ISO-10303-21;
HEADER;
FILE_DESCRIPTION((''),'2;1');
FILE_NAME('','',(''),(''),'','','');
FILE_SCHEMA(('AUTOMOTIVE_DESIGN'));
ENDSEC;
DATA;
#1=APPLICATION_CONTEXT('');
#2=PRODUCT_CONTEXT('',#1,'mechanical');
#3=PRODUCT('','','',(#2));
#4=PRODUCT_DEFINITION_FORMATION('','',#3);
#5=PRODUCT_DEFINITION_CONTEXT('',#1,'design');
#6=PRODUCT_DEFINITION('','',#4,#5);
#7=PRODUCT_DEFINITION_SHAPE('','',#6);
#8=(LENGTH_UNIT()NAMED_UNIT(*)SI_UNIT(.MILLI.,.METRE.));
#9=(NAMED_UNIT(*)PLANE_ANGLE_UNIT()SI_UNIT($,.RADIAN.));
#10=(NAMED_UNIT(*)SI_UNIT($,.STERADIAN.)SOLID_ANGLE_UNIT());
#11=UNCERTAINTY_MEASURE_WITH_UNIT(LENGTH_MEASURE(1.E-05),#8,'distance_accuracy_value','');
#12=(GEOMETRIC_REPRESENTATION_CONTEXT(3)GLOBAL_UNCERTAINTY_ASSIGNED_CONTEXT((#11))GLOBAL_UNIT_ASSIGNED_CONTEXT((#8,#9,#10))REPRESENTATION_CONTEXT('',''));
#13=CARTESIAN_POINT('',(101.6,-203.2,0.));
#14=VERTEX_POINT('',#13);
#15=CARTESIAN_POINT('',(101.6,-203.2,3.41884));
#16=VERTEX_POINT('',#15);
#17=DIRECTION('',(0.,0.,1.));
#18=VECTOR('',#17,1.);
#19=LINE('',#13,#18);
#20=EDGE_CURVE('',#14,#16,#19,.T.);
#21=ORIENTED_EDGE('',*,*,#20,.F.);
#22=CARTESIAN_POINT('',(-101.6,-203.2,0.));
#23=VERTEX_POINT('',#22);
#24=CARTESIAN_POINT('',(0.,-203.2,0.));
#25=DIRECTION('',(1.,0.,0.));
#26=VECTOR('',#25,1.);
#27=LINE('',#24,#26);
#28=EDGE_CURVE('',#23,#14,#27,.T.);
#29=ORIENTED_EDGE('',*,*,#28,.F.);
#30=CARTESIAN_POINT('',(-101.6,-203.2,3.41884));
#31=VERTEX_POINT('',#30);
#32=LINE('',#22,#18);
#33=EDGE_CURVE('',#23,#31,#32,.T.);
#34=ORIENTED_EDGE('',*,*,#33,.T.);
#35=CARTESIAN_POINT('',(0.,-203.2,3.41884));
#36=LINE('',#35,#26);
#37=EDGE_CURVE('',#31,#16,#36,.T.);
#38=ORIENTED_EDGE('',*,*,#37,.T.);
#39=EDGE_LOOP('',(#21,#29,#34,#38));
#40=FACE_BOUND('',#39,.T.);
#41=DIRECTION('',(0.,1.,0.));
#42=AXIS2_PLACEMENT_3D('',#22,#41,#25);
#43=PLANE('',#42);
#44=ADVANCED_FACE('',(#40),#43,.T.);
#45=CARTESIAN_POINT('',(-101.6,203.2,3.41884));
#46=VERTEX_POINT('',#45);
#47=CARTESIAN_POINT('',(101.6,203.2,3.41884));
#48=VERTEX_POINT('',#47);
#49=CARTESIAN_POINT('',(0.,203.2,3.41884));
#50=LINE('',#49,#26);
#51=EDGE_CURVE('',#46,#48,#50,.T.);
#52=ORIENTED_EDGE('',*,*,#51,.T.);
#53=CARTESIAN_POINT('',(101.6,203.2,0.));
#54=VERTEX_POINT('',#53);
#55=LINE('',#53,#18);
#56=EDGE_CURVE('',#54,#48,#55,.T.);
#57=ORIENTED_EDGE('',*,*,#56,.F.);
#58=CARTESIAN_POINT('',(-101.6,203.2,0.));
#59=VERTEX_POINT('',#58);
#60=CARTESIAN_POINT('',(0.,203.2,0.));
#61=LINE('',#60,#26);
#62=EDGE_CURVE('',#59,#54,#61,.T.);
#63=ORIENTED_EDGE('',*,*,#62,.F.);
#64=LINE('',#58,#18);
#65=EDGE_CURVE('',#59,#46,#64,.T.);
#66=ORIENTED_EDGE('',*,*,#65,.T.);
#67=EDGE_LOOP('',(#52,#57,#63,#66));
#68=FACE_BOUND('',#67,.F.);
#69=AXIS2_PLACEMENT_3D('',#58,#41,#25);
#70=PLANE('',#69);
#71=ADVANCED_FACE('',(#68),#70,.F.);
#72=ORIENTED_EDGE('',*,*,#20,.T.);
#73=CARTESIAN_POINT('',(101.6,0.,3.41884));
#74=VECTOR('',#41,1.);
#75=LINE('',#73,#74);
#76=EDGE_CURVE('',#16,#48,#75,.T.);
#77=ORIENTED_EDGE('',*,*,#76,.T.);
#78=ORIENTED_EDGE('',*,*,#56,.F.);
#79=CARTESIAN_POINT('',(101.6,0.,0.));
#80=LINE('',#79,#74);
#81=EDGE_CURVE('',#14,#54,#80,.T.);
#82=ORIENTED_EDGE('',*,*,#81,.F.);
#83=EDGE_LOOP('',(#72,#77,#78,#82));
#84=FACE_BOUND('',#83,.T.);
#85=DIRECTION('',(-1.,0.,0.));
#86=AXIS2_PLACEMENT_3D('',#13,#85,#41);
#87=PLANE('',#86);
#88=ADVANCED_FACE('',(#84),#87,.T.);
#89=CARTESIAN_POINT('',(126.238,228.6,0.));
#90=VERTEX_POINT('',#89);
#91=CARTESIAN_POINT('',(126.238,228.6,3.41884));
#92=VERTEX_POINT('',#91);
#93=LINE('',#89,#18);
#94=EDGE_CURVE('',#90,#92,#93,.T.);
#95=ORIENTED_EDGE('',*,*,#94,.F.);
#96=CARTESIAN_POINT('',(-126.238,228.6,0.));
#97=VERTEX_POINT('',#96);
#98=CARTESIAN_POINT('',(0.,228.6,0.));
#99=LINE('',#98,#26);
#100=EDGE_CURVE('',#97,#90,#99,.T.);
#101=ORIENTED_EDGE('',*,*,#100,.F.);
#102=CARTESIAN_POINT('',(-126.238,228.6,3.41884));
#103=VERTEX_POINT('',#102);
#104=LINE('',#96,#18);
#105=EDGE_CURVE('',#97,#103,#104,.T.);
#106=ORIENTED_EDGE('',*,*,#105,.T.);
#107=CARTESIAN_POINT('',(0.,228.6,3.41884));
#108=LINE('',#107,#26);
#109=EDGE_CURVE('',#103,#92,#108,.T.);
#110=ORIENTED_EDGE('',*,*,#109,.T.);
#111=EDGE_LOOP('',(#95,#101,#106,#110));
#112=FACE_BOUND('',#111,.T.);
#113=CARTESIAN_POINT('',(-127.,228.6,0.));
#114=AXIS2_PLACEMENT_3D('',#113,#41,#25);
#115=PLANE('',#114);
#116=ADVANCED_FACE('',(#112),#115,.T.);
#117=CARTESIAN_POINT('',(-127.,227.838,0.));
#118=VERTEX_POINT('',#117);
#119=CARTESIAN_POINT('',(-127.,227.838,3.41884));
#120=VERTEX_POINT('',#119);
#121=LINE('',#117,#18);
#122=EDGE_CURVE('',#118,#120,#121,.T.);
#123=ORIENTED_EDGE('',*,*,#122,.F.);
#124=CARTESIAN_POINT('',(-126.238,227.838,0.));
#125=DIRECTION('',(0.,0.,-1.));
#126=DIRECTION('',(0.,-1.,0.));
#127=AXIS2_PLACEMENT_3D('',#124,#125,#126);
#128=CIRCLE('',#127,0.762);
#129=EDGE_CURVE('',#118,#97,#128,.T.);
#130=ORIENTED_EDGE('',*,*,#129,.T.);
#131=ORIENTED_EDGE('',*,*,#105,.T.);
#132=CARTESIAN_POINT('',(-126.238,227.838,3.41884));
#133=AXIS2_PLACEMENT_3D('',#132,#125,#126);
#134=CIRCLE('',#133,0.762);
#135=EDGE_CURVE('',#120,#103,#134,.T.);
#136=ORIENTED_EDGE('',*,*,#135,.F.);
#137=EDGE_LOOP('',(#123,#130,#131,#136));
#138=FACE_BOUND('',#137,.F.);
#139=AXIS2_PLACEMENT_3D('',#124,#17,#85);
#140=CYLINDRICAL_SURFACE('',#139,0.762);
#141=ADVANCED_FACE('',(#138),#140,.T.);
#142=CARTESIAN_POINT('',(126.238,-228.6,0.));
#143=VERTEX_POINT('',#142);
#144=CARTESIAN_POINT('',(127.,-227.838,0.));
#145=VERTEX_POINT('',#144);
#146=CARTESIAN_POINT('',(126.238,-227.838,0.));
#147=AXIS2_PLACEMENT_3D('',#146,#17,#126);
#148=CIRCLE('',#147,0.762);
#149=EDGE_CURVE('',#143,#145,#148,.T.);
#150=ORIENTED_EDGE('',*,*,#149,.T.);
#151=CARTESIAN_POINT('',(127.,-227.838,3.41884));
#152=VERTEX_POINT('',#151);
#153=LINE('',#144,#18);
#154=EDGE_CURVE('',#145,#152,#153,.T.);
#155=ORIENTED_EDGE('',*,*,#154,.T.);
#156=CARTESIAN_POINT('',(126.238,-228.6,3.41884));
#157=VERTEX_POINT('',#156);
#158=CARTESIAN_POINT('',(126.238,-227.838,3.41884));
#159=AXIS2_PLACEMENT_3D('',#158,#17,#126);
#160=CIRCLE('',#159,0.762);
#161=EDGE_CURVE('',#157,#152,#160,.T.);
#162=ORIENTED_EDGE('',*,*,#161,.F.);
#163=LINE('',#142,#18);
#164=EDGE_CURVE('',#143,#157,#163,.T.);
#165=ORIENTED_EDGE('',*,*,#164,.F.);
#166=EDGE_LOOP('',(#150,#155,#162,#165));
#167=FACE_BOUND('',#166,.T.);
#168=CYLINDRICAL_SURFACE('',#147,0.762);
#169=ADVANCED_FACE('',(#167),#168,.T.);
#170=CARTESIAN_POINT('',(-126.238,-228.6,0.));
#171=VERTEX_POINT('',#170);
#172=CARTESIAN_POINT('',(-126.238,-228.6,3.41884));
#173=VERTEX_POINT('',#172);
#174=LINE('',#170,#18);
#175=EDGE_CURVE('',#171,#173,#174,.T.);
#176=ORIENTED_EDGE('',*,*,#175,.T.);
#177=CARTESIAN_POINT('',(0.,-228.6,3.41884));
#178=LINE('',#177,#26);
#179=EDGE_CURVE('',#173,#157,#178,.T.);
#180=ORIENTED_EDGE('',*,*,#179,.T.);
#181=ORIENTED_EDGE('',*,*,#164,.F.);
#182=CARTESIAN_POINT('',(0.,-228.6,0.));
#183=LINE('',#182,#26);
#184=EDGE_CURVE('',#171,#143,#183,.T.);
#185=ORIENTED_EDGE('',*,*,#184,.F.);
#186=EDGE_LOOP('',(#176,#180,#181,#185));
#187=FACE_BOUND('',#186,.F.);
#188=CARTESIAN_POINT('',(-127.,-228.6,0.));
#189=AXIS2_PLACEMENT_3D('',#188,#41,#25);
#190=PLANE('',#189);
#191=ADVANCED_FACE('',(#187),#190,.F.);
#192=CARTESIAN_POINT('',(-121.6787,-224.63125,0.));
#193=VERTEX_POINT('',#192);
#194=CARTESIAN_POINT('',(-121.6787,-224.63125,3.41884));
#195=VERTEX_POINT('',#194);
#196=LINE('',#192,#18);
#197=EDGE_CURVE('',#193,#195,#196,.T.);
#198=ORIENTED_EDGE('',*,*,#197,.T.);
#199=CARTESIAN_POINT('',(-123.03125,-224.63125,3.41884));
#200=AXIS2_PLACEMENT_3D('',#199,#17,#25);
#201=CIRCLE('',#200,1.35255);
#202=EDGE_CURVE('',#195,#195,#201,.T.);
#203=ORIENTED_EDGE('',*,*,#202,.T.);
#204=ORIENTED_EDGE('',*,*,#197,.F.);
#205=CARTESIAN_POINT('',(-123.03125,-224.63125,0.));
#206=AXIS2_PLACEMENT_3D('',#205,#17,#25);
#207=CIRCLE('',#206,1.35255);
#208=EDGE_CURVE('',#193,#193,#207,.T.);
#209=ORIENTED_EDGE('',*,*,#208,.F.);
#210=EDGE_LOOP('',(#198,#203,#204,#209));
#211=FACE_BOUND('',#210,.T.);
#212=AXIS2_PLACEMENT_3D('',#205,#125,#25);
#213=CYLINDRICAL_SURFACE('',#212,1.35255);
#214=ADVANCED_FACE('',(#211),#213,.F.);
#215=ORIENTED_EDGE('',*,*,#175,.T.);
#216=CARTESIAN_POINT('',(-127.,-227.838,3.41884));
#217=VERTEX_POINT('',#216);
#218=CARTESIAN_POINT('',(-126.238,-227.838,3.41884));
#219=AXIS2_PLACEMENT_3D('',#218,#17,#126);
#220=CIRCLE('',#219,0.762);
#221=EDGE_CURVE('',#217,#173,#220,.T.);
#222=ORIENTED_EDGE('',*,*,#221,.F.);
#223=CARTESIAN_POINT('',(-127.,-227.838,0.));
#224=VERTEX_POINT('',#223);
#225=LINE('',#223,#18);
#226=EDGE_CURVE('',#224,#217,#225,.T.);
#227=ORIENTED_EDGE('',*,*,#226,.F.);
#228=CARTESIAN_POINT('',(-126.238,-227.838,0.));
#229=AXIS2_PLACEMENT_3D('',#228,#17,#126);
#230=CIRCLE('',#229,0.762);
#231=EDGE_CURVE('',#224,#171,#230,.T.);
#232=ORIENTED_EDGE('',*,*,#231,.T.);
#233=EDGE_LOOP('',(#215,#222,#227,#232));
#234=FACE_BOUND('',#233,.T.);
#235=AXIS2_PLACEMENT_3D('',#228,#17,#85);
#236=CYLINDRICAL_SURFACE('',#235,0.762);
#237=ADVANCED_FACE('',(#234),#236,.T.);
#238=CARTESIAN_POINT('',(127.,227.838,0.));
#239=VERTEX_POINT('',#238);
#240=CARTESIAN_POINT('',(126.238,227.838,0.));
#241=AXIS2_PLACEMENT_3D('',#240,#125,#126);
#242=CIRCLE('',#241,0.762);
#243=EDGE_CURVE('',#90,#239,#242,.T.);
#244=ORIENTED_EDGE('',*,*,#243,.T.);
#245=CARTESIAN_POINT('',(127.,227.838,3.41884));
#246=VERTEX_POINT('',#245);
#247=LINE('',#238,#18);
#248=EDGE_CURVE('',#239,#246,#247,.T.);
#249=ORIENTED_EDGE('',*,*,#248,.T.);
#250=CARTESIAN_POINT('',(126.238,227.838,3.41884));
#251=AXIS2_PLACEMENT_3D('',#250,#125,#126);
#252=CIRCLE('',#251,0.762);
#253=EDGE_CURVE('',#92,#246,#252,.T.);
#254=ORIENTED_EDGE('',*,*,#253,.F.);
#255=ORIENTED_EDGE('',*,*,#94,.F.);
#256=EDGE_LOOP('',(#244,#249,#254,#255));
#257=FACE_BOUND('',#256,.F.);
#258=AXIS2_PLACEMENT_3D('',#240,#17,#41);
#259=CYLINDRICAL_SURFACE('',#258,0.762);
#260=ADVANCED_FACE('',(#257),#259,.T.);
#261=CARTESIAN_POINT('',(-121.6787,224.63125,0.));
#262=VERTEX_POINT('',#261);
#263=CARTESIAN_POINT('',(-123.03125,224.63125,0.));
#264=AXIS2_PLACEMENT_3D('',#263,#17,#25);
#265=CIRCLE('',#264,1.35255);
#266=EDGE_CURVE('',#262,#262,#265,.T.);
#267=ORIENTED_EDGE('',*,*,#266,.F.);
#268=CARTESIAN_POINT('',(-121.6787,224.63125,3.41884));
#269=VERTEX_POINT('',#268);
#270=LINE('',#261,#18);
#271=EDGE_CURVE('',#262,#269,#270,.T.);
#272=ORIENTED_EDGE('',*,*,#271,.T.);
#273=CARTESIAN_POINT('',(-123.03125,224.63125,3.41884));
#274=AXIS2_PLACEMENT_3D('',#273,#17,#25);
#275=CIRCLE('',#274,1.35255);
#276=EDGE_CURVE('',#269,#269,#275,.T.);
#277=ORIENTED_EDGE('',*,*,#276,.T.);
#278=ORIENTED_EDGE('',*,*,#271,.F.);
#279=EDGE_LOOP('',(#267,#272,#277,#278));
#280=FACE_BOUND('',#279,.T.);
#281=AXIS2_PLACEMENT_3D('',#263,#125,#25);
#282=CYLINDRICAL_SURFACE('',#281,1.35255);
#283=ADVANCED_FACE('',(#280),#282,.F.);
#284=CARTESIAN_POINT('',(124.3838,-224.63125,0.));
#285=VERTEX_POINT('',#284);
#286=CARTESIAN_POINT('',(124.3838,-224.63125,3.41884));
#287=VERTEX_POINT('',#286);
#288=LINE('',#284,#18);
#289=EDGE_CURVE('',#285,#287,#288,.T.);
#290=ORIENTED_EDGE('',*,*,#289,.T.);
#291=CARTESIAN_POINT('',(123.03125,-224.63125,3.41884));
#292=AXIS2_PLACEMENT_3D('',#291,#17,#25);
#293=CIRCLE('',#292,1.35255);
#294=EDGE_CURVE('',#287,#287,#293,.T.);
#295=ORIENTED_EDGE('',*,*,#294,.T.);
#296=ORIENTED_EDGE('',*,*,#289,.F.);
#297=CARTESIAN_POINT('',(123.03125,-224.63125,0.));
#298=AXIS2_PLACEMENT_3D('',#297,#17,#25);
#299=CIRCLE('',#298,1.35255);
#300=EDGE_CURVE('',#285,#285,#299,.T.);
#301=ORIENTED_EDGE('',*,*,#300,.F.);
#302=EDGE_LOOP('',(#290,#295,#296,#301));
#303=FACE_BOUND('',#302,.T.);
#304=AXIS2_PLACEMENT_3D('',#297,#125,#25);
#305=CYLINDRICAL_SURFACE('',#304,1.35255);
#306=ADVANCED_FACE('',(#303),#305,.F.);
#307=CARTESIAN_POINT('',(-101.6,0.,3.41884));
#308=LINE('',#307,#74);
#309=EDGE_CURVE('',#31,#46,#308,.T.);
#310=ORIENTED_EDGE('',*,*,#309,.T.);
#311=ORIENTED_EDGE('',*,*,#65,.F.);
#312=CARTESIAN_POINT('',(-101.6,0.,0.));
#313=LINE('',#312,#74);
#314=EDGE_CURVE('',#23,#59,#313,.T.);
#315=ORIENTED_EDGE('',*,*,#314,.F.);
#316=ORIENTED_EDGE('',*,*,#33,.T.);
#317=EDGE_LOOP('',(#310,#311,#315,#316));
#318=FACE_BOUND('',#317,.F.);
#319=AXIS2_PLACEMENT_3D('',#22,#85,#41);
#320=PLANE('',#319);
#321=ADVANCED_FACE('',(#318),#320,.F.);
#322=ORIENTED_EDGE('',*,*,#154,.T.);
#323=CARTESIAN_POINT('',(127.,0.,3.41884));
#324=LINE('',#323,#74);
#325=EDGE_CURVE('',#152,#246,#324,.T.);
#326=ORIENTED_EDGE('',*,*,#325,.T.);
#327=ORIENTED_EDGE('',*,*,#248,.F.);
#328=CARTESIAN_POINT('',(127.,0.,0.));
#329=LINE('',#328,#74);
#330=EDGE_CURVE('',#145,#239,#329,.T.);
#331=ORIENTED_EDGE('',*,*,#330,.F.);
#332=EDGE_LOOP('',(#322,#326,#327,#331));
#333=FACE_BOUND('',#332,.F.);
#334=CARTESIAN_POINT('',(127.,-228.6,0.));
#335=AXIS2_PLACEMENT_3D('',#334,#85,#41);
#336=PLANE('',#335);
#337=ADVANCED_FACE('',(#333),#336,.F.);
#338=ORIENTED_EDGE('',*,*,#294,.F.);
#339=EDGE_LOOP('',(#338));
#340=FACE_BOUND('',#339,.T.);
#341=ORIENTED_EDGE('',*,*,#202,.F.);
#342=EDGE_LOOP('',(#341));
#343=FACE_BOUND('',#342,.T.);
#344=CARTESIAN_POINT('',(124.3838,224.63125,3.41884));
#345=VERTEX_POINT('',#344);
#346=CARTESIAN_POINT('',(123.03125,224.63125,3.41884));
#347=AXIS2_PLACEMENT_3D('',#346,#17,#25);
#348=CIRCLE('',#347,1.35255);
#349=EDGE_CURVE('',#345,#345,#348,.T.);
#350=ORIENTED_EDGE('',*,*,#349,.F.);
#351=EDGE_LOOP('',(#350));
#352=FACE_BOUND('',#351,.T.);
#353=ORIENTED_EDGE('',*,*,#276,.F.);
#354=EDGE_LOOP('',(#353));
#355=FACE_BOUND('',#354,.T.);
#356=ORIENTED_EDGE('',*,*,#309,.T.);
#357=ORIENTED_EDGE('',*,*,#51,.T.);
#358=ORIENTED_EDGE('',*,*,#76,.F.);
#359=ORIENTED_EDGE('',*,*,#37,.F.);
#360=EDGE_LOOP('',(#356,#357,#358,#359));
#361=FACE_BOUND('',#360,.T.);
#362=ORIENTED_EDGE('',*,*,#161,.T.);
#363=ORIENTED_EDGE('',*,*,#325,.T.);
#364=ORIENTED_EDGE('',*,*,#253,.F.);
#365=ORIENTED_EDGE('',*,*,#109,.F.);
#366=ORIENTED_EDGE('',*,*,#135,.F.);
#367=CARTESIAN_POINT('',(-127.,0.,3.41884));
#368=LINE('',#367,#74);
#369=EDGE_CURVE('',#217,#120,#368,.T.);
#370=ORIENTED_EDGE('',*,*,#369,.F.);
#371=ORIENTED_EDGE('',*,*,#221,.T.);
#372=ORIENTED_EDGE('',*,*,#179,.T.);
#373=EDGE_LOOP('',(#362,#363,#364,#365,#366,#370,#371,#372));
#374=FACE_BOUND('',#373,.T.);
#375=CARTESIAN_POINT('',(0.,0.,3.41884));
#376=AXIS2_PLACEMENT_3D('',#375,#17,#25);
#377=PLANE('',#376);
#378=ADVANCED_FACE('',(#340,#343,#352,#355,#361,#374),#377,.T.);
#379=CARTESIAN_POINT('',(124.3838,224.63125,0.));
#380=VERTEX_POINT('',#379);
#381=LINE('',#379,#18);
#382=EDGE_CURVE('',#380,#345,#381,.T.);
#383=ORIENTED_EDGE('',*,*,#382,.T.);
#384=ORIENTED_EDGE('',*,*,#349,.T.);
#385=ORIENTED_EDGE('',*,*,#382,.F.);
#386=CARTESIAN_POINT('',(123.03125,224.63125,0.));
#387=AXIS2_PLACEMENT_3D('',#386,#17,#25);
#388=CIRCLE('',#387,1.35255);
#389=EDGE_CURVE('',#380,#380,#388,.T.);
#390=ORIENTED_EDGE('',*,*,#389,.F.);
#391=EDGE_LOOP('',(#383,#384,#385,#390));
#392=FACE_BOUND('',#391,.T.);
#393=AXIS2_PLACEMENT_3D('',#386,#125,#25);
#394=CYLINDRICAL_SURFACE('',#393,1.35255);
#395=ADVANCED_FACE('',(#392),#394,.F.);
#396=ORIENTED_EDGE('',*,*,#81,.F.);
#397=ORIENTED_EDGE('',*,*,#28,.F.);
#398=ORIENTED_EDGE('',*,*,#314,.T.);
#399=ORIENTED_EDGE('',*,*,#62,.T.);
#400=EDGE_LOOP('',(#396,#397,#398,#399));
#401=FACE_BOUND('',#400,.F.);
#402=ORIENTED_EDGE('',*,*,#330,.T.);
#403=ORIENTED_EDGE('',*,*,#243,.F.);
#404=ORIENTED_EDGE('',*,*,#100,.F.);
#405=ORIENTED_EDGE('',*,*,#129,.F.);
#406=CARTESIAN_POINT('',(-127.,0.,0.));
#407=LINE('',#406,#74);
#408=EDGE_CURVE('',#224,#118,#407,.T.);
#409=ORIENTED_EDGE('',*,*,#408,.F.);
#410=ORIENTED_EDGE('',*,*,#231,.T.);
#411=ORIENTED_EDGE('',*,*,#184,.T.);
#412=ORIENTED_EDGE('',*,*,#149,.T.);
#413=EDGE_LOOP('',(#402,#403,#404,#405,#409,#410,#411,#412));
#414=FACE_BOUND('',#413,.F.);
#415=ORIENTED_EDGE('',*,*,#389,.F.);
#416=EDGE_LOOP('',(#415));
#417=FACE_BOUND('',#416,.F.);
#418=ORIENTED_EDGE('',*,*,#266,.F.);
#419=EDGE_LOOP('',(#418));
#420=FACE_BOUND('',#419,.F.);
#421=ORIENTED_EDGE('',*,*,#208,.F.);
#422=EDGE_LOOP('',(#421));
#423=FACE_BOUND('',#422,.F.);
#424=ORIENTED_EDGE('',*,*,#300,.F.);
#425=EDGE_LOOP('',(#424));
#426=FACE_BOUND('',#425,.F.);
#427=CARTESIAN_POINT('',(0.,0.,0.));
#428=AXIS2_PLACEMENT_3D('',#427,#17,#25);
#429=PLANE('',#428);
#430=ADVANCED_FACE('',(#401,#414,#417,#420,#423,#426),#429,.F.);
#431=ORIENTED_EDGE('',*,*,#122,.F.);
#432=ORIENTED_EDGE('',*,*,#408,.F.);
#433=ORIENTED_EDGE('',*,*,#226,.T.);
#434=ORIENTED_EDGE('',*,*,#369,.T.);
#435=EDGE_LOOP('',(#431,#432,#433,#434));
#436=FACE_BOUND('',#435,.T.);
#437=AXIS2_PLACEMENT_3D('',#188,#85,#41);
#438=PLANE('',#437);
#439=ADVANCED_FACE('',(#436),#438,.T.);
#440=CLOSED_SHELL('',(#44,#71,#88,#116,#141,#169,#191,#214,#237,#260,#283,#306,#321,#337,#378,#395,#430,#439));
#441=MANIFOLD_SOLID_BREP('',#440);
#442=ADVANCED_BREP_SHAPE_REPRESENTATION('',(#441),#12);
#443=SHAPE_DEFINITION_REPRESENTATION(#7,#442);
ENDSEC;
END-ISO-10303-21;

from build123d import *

# Parameters (mm, degrees)
F0_W     = 254
F0_H     = 457.2
F0_R     = 1.35255
F0_W_2   = 203.2
F0_H_2   = 406.4
F1_DEPTH = 3.41884
F2_R     = 0.762


with BuildPart() as f1:
    # F0 (on Top) → F1 (new body)
    with BuildSketch(Plane.XY):
        Rectangle(F0_W, F0_H)
        with Locations((-123.03125, -224.63125)):
            Circle(F0_R, mode=Mode.SUBTRACT)
        with Locations((123.03125, -224.63125)):
            Circle(F0_R, mode=Mode.SUBTRACT)
        with Locations((-123.03125, 224.63125)):
            Circle(F0_R, mode=Mode.SUBTRACT)
        Rectangle(F0_W_2, F0_H_2, mode=Mode.SUBTRACT)
        with Locations((123.03125, 224.63125)):
            Circle(F0_R, mode=Mode.SUBTRACT)
    extrude(amount=F1_DEPTH)

    # F2
    f2_edges = [f1.edges().sort_by_distance(p)[0] for p in [
        (-127, 228.6, 1.70942),
        (-127, -228.6, 1.70942),
        (127, -228.6, 1.70942),
        (127, 228.6, 1.70942),
    ]]
    fillet(f2_edges, radius=F2_R)


solid = f1.part
